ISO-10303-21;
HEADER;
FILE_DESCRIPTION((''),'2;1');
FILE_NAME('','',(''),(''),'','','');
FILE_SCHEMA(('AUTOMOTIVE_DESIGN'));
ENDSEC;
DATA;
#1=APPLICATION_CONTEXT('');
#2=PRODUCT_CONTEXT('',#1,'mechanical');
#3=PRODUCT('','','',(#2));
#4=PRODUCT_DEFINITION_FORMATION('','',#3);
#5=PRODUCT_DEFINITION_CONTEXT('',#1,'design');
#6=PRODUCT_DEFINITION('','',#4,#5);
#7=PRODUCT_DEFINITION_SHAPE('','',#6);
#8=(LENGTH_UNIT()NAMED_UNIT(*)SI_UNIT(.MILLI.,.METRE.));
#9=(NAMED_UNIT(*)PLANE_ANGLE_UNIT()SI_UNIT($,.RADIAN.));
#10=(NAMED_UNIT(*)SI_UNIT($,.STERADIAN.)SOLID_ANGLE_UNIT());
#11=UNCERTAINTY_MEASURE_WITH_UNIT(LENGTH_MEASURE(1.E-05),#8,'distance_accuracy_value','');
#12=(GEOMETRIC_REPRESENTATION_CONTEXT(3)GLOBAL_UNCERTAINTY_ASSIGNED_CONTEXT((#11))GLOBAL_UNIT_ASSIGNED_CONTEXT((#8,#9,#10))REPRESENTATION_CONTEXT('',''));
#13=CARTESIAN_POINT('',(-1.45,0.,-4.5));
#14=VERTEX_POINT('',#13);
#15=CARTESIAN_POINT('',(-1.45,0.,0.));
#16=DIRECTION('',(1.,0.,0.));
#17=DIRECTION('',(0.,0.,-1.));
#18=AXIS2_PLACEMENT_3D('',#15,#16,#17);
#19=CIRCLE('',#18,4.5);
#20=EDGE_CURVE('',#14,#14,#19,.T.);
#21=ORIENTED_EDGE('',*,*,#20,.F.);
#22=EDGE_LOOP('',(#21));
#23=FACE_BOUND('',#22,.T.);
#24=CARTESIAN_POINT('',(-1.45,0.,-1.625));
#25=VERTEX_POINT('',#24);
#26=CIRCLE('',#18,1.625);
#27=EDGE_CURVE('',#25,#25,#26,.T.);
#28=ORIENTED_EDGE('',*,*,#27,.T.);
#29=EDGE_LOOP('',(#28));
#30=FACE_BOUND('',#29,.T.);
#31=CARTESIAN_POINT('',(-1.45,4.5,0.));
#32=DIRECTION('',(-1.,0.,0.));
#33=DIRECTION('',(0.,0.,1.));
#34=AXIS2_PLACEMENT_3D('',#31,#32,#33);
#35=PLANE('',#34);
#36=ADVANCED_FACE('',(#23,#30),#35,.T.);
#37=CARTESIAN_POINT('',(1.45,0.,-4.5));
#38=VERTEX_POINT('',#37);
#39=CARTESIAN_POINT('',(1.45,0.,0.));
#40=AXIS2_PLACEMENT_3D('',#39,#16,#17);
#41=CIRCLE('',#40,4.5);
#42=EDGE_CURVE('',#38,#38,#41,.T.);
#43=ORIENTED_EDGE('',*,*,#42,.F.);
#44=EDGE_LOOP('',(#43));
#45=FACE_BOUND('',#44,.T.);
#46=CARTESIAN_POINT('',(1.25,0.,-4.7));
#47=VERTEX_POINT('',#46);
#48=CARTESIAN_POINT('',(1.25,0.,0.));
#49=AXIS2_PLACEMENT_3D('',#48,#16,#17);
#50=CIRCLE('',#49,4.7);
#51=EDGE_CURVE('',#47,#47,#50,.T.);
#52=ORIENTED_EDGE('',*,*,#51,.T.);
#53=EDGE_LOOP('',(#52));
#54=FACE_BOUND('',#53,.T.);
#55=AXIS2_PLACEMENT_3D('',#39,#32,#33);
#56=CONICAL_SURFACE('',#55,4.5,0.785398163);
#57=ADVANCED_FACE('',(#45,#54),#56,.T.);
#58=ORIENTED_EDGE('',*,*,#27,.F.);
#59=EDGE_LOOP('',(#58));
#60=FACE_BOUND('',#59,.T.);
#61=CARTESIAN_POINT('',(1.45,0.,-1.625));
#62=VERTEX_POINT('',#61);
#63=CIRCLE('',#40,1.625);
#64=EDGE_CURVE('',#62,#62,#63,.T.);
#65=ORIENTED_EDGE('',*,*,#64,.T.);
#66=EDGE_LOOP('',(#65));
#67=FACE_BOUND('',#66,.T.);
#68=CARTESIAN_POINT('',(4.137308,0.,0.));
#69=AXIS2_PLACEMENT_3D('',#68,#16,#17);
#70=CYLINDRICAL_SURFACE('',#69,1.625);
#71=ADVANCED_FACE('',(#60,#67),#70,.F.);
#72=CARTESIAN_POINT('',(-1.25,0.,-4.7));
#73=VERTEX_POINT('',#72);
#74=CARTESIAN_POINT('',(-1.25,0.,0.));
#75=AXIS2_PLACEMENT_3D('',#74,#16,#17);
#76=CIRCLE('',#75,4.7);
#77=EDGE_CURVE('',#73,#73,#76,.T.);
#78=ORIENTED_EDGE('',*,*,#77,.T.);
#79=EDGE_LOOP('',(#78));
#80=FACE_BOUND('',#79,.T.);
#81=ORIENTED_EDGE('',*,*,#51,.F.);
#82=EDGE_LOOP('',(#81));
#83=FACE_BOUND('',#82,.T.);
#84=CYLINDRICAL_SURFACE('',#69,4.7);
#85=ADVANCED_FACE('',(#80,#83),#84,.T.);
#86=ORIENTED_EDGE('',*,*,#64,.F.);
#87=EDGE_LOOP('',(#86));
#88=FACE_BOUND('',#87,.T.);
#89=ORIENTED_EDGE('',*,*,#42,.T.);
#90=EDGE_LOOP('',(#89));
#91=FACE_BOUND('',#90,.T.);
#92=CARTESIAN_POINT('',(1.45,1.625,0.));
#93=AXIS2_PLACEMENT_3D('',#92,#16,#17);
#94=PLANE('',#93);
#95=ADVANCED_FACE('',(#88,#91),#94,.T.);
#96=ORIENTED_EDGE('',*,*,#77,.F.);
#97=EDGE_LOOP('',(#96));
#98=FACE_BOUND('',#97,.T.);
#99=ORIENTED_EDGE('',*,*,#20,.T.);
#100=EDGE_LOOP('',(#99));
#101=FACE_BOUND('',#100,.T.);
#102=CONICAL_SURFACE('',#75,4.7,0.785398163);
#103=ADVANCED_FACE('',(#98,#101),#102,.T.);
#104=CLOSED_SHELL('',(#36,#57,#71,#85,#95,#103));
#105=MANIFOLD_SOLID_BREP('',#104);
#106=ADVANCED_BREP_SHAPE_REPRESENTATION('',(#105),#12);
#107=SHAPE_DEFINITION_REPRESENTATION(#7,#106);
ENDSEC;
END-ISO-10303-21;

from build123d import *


with BuildPart() as part:
    # Sketch1 → Revolve1 (revolve)
    with BuildSketch(Plane.XY):
        Polygon((1.45, 1.625), (1.45, 4.5), (1.25, 4.7), (-1.25, 4.7), (-1.45, 4.5), (-1.45, 1.625), align=None)
    revolve(axis=Axis((4.137307633, 0, 0), (-1, 0, 0)))


solid = part.part
